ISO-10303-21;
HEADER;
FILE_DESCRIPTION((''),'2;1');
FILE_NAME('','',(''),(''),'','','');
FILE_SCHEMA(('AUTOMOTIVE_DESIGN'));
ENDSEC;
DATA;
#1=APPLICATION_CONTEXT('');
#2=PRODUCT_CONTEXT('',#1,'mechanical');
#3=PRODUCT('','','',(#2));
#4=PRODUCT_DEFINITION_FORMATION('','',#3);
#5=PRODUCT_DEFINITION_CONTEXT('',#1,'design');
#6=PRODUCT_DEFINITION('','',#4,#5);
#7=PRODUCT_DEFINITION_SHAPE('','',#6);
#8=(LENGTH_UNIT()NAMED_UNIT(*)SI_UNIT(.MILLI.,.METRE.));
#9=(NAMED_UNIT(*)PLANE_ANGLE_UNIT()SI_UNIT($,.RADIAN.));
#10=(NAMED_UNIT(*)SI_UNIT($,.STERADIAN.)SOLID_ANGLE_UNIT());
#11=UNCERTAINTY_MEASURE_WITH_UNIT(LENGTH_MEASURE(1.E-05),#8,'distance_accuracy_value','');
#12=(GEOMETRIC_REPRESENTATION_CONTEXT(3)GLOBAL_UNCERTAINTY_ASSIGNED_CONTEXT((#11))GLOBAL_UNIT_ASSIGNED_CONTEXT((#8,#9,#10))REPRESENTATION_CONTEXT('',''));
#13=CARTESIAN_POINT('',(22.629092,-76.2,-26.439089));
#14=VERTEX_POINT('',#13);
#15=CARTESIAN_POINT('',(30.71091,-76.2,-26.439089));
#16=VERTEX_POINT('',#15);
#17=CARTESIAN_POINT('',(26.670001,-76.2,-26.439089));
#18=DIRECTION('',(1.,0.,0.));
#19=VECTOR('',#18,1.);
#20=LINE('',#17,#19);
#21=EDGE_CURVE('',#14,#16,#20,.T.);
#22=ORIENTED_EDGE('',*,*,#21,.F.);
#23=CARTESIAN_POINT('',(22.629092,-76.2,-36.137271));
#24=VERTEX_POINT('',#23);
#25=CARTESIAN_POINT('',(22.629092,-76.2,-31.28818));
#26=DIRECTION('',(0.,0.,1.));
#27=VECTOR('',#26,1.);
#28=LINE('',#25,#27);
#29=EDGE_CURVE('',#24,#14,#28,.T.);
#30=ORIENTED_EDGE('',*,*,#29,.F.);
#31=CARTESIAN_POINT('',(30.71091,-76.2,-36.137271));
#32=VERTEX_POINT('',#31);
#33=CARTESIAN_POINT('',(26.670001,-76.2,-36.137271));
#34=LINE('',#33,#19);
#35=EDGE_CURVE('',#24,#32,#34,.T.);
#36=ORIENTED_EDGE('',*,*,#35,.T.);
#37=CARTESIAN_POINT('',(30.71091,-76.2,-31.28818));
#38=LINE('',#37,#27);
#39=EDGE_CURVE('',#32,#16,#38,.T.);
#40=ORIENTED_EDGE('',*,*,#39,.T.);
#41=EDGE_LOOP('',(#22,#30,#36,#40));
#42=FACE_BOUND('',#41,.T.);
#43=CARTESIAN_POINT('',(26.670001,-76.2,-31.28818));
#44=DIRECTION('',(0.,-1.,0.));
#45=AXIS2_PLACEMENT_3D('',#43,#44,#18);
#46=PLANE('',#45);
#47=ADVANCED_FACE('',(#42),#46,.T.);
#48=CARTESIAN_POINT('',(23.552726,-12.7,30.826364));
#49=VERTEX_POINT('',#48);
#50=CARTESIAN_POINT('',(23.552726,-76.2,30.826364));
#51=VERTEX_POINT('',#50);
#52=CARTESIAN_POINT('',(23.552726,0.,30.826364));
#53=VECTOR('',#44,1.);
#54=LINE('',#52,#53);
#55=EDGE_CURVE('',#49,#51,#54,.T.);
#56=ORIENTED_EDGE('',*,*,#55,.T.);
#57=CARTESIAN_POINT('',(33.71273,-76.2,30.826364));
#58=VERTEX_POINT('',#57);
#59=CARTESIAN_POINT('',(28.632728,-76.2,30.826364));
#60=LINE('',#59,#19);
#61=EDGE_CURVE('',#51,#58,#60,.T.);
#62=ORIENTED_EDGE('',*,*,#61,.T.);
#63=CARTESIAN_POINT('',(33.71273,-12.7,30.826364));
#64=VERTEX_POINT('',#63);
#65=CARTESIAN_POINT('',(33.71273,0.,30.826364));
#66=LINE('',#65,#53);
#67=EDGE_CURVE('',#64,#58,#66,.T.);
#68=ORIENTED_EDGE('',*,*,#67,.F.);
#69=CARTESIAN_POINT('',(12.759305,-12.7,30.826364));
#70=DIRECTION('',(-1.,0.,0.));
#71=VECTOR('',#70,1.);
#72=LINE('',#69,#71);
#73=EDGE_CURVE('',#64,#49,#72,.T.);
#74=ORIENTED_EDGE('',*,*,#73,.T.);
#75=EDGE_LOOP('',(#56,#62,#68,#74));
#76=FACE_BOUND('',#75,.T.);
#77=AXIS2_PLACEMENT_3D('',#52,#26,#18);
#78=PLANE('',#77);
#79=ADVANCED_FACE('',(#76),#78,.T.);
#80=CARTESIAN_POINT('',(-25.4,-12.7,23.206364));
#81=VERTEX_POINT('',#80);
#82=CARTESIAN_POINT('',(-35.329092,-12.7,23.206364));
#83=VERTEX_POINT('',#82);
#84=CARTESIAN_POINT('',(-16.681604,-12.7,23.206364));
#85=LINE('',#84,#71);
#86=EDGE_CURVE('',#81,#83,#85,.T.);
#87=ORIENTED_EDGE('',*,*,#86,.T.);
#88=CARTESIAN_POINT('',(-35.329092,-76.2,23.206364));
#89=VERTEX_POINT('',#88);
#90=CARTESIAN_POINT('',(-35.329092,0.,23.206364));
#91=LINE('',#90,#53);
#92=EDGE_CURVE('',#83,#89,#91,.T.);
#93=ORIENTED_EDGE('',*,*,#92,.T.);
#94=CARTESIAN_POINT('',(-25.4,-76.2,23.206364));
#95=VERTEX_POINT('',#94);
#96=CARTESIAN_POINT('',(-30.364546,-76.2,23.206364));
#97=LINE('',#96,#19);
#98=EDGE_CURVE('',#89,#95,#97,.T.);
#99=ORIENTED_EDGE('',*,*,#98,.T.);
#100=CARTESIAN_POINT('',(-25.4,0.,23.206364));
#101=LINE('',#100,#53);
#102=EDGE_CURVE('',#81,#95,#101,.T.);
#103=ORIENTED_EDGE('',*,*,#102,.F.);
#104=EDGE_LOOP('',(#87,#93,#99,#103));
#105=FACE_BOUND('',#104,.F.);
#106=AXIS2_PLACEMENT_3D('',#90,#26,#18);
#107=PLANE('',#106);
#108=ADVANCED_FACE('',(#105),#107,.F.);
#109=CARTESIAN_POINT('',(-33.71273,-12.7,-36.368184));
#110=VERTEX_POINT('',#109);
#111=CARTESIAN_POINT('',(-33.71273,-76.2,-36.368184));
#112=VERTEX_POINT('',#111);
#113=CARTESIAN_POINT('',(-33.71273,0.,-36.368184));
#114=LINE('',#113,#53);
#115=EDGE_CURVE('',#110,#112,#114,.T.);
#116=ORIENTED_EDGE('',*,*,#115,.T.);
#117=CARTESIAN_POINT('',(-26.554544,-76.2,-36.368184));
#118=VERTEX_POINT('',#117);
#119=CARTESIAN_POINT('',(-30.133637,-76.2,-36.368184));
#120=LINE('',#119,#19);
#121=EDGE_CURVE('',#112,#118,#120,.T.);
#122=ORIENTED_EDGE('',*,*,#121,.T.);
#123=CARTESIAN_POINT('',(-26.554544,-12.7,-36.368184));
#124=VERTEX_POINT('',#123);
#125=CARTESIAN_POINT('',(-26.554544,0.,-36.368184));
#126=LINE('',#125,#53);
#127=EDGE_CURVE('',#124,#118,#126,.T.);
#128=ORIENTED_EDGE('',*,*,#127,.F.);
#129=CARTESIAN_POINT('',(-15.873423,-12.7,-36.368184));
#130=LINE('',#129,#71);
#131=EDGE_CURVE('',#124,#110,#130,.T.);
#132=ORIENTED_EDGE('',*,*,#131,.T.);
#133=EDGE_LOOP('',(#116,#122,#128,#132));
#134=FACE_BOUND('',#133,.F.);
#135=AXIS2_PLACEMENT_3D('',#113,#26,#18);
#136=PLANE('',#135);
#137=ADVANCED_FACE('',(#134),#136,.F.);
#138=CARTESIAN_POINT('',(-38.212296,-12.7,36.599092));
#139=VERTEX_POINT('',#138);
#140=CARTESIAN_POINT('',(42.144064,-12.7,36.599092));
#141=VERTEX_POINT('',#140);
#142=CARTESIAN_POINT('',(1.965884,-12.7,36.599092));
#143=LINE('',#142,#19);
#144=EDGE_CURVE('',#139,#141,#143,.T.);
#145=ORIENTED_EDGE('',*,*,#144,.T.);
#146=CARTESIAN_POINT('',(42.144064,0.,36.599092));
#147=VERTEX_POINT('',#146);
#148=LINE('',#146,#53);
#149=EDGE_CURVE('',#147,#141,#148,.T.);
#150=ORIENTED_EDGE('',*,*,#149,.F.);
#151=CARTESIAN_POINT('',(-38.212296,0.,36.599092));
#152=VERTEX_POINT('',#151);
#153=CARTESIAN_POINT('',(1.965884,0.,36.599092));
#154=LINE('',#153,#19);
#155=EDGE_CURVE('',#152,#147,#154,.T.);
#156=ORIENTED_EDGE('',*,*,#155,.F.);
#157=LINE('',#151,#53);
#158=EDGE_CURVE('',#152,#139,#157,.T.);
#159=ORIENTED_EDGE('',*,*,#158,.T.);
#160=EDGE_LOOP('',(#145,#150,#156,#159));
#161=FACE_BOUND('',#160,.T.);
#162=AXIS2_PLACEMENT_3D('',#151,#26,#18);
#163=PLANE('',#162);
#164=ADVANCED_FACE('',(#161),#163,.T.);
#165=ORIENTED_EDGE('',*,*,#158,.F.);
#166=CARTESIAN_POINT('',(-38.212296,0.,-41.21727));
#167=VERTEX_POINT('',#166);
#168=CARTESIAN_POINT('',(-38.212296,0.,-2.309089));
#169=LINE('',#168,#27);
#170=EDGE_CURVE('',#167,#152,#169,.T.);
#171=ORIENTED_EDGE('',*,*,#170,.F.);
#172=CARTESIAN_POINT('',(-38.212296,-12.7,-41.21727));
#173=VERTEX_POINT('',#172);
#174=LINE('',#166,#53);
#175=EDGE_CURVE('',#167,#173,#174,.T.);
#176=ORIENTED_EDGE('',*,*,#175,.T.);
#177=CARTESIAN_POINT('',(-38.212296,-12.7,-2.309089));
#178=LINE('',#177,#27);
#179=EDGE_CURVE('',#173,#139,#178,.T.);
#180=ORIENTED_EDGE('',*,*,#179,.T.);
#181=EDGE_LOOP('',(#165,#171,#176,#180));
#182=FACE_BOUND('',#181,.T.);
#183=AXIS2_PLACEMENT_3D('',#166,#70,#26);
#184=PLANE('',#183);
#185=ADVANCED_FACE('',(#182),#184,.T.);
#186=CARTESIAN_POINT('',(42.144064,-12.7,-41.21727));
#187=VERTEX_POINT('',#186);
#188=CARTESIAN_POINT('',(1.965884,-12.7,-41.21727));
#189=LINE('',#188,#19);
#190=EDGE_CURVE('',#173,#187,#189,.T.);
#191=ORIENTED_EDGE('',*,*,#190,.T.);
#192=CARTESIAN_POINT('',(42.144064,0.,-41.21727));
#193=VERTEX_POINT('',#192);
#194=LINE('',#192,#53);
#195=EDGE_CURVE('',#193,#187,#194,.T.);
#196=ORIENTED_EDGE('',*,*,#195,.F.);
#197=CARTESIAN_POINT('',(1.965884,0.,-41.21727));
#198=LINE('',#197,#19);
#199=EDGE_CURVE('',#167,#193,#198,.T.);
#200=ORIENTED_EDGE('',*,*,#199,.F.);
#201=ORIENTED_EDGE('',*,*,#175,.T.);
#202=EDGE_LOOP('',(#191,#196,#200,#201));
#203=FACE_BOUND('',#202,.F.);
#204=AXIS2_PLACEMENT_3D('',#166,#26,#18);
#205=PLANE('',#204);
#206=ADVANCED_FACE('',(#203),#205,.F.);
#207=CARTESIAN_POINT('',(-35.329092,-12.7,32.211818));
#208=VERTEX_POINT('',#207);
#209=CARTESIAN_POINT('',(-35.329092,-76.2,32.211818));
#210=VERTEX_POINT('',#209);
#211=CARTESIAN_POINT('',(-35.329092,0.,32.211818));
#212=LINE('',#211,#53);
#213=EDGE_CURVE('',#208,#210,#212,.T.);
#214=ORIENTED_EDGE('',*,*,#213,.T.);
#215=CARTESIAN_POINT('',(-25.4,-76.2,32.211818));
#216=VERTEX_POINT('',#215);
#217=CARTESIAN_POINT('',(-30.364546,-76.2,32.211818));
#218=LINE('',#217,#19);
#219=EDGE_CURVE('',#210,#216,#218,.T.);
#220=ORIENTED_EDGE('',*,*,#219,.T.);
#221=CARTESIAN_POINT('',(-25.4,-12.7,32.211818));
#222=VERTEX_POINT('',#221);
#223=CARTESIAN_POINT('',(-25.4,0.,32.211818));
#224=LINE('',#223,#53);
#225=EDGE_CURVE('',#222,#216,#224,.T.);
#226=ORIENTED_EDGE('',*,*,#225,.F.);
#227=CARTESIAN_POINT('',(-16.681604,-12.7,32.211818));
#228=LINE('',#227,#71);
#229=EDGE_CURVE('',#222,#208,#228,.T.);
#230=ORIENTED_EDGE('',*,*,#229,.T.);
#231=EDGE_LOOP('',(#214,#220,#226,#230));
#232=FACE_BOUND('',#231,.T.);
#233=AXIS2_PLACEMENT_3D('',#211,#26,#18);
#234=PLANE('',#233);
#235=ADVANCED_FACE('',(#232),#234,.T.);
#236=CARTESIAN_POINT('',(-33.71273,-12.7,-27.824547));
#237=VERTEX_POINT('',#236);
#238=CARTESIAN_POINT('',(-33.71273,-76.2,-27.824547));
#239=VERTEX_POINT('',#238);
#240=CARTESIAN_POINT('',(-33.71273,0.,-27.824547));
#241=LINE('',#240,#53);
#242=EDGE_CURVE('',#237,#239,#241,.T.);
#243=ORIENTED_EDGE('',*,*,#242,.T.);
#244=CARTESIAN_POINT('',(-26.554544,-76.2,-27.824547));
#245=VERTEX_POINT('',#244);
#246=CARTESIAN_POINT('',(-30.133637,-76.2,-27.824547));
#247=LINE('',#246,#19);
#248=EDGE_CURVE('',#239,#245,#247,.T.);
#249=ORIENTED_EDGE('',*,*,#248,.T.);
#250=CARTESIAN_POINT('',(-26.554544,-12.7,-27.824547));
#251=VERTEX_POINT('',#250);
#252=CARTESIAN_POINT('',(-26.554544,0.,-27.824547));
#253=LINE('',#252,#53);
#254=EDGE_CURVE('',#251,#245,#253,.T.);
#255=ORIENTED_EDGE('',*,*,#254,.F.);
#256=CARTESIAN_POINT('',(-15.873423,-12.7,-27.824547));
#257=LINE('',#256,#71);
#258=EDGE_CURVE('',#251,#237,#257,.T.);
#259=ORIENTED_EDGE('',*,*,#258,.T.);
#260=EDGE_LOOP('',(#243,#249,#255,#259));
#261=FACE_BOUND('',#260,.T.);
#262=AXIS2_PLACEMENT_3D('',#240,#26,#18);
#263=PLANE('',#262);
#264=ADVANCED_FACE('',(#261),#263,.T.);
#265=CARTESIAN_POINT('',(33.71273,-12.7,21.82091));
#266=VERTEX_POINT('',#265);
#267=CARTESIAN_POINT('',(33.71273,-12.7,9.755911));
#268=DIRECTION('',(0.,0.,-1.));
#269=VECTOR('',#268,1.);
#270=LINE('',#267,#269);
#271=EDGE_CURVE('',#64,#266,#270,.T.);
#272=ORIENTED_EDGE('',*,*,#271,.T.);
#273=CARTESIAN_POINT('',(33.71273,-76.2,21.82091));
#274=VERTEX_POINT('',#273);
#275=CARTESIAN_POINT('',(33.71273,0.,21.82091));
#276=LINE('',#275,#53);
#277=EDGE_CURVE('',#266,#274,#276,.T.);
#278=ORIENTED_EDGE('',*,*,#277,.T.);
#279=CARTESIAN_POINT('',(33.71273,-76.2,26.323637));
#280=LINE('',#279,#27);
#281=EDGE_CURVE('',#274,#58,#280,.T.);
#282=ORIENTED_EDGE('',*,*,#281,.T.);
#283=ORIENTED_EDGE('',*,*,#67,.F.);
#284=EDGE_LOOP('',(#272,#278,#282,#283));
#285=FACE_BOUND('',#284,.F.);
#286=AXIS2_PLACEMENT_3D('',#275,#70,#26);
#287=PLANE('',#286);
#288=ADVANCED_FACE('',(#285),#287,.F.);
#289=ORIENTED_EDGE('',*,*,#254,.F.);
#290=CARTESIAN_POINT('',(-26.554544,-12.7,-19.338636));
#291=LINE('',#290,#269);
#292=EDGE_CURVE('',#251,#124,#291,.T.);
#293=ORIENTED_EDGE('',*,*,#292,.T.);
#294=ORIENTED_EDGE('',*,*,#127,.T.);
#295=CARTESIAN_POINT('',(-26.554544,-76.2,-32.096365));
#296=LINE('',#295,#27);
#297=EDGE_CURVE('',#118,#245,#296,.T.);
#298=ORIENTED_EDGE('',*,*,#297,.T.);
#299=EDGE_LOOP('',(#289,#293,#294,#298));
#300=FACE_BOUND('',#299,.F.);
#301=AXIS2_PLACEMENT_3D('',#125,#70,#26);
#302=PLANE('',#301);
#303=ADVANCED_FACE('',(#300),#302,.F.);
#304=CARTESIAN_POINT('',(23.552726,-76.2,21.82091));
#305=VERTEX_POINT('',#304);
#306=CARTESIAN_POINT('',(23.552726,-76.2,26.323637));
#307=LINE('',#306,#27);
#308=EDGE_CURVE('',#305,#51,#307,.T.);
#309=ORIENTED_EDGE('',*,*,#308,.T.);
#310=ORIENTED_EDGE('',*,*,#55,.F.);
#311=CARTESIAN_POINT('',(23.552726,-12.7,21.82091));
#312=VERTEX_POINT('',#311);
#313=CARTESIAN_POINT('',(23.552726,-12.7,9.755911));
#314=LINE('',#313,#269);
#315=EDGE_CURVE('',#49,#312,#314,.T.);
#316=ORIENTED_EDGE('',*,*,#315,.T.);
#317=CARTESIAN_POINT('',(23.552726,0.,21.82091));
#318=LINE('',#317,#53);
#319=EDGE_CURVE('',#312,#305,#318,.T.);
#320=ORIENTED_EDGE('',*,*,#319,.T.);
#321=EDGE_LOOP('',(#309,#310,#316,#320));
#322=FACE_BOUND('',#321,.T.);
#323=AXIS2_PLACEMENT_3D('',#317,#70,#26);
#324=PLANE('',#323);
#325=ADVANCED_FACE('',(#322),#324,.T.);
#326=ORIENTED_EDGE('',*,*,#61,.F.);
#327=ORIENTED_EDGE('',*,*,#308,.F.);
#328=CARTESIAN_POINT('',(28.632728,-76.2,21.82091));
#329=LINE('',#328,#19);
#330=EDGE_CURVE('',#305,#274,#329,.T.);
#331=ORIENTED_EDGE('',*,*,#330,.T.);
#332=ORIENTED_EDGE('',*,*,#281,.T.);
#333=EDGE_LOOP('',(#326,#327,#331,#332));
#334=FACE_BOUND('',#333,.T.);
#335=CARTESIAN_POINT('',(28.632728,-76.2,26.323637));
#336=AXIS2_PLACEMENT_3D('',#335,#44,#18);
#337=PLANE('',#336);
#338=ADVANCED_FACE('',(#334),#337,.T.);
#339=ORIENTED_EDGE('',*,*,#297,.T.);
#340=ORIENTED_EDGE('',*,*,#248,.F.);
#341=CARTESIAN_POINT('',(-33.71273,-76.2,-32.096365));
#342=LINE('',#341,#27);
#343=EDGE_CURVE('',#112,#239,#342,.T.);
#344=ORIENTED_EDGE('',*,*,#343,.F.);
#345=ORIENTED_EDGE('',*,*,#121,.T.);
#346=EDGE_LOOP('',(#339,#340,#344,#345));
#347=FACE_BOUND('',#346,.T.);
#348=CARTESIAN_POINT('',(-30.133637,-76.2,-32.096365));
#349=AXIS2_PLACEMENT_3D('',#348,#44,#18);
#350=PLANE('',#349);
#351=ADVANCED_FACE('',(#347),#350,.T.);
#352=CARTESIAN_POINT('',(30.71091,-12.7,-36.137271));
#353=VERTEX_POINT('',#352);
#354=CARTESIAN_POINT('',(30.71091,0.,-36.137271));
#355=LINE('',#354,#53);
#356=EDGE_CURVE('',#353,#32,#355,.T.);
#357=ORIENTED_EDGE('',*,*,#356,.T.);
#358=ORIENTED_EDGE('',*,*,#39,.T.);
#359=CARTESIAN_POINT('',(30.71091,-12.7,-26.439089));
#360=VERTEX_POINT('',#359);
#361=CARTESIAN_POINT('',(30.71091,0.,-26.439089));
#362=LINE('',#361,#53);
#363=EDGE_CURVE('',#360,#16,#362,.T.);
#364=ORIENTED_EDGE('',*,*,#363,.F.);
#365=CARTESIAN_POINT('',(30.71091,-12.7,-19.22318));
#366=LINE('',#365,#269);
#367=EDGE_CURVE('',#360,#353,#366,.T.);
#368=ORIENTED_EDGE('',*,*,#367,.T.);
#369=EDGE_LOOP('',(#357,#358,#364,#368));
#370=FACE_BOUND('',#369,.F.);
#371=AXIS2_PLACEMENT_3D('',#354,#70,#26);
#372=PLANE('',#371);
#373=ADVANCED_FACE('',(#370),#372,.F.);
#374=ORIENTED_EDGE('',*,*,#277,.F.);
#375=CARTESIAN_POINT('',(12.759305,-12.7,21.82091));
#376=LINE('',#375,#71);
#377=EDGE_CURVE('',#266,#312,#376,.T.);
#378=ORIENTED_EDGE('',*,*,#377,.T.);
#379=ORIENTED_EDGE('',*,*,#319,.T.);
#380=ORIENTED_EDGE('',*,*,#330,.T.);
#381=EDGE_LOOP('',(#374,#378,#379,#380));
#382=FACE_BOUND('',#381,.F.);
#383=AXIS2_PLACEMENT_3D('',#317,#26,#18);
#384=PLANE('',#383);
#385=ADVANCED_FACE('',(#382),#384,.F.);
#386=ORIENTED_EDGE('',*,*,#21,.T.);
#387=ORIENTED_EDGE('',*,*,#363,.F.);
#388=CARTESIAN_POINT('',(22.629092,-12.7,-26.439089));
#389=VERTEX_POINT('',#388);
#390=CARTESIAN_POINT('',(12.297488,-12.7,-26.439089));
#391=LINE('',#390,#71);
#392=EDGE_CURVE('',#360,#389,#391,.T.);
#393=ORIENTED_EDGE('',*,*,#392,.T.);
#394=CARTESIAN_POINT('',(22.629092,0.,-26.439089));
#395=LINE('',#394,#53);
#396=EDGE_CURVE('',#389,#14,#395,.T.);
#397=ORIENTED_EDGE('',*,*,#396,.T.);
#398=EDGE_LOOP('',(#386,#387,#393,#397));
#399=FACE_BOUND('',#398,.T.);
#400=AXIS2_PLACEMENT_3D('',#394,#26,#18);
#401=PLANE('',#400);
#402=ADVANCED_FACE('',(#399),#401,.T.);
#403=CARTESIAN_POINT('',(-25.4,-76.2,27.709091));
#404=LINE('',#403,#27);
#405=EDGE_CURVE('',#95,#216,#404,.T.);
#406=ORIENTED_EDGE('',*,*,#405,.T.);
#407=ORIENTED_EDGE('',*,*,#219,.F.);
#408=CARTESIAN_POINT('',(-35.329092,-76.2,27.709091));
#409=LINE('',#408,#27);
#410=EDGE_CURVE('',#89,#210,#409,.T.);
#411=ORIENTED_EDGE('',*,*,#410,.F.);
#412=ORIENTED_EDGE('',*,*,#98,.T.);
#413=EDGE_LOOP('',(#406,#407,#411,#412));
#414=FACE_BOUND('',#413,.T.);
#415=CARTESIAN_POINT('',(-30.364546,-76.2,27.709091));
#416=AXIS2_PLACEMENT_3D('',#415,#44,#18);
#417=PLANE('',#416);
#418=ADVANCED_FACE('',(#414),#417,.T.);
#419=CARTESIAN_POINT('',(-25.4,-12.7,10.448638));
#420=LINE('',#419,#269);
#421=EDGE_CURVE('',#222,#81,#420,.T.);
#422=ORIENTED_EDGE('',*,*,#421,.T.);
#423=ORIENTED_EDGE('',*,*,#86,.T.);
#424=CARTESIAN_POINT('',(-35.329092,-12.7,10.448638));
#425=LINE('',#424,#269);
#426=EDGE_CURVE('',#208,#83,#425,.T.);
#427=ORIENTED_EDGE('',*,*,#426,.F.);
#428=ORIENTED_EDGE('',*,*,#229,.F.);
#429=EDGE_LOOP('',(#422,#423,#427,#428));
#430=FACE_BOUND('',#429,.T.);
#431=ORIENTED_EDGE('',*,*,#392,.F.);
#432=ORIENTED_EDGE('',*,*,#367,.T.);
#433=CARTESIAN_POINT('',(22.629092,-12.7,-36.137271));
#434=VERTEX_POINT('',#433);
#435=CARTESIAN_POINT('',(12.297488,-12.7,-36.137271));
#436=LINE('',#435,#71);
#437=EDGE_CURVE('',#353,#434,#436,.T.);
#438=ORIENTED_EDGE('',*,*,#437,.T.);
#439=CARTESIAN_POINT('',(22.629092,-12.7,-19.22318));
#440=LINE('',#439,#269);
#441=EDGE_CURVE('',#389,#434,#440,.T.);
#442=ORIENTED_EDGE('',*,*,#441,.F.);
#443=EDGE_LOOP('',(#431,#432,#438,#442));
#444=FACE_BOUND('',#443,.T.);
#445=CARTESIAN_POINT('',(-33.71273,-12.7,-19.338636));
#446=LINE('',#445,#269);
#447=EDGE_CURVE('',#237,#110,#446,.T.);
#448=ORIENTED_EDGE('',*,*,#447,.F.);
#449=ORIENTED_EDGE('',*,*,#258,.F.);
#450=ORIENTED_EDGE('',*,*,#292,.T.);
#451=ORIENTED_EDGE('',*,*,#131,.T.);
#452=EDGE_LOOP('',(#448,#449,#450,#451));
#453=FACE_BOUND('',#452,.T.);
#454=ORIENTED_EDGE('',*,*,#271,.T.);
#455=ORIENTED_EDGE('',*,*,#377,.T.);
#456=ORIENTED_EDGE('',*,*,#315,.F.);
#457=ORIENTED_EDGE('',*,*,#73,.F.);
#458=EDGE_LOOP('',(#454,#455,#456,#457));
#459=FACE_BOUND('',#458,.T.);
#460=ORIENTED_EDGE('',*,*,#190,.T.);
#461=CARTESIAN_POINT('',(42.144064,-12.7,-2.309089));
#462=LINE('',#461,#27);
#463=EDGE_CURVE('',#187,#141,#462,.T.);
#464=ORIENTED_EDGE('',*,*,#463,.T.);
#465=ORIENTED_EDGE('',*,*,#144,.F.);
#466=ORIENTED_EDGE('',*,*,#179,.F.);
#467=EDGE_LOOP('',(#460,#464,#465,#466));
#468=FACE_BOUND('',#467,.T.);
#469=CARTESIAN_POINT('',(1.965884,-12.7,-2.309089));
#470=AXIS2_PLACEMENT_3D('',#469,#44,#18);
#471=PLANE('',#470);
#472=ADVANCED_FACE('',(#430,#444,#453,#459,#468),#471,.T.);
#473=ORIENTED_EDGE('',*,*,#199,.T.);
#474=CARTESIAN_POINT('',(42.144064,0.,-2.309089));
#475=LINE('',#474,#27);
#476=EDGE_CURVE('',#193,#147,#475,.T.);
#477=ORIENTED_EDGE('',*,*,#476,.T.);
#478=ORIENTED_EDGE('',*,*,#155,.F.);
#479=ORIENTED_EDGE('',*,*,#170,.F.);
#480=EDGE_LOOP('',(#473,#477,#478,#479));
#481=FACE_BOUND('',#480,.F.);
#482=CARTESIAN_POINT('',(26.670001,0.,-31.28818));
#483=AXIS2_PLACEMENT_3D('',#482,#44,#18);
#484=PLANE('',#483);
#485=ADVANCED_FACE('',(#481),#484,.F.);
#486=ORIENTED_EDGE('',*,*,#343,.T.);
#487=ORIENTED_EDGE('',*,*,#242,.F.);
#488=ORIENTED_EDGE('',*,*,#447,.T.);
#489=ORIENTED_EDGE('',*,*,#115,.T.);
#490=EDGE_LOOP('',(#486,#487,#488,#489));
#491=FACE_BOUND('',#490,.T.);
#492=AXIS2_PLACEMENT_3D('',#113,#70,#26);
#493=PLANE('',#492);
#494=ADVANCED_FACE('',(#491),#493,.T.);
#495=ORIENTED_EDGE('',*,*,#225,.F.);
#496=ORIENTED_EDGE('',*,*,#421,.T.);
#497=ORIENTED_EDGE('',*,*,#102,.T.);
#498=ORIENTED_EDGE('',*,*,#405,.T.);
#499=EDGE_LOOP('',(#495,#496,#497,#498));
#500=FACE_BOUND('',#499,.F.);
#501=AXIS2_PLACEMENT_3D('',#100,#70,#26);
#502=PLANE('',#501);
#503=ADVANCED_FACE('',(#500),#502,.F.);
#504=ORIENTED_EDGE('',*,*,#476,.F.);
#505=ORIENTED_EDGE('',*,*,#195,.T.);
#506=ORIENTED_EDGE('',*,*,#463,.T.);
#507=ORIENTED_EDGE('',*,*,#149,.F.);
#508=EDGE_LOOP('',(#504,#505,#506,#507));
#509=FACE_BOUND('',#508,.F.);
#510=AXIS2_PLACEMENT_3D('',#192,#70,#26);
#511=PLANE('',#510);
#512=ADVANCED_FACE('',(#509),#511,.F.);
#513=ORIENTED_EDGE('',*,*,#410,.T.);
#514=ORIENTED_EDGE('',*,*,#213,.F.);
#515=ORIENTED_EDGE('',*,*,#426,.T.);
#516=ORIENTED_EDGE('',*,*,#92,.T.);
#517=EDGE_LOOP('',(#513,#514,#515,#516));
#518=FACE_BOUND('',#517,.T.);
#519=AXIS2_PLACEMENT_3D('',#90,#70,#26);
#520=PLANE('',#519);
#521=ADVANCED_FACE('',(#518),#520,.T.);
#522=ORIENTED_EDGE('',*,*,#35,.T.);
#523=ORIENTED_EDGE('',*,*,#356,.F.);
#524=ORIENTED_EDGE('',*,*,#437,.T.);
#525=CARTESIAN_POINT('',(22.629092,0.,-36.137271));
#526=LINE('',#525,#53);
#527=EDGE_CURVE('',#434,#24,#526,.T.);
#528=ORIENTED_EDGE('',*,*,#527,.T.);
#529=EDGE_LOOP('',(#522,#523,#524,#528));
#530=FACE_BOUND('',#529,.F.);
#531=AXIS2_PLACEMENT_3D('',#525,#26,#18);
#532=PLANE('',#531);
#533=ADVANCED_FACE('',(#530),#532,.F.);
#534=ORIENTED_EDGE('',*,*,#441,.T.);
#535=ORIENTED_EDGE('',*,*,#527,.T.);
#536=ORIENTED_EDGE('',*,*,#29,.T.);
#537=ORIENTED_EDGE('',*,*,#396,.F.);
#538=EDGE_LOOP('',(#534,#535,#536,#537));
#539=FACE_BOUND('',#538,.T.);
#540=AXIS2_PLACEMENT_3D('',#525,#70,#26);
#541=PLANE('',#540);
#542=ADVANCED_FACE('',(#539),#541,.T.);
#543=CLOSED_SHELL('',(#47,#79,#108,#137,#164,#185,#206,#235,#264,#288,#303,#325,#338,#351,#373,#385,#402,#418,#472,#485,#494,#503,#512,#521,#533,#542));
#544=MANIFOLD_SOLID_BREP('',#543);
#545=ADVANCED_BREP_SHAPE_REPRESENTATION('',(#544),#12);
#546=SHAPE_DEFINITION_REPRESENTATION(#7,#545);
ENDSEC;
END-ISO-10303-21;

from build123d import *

# Parameters (mm, degrees)
F0_W     = 80.35636
F0_H     = 77.816363
F1_DEPTH = 12.7
F2_W     = 9.929092
F2_H     = 9.005454
F3_DEPTH = 76.2
F4_W     = 10.160005
F4_H     = 9.005454
F5_DEPTH = 76.2
F6_W     = 7.158185
F6_H     = 8.543637
F7_DEPTH = 76.2
F8_W     = 8.081818
F8_H     = 9.698183
F9_DEPTH = 76.2


with BuildPart() as f1:
    # F0 (on Front) → F1 (new body)
    with BuildSketch(Plane.XZ):
        with Locations((1.965884, -2.309089)):
            Rectangle(F0_W, F0_H)
    extrude(amount=F1_DEPTH)

    # F2 (on Front) → F3 (join)
    with BuildSketch(Plane.XZ):
        with Locations((-30.364546, 27.709091)):
            Rectangle(F2_W, F2_H)
    extrude(amount=F3_DEPTH)

    # F4 (on Front) → F5 (join)
    with BuildSketch(Plane.XZ):
        with Locations((28.632728, 26.323637)):
            Rectangle(F4_W, F4_H)
    extrude(amount=F5_DEPTH)

    # F6 (on Front) → F7 (join)
    with BuildSketch(Plane.XZ):
        with Locations((-30.133637, -32.096365)):
            Rectangle(F6_W, F6_H)
    extrude(amount=F7_DEPTH)

    # F8 (on Front) → F9 (join)
    with BuildSketch(Plane.XZ):
        with Locations((26.670001, -31.28818)):
            Rectangle(F8_W, F8_H)
    extrude(amount=F9_DEPTH)


solid = f1.part
